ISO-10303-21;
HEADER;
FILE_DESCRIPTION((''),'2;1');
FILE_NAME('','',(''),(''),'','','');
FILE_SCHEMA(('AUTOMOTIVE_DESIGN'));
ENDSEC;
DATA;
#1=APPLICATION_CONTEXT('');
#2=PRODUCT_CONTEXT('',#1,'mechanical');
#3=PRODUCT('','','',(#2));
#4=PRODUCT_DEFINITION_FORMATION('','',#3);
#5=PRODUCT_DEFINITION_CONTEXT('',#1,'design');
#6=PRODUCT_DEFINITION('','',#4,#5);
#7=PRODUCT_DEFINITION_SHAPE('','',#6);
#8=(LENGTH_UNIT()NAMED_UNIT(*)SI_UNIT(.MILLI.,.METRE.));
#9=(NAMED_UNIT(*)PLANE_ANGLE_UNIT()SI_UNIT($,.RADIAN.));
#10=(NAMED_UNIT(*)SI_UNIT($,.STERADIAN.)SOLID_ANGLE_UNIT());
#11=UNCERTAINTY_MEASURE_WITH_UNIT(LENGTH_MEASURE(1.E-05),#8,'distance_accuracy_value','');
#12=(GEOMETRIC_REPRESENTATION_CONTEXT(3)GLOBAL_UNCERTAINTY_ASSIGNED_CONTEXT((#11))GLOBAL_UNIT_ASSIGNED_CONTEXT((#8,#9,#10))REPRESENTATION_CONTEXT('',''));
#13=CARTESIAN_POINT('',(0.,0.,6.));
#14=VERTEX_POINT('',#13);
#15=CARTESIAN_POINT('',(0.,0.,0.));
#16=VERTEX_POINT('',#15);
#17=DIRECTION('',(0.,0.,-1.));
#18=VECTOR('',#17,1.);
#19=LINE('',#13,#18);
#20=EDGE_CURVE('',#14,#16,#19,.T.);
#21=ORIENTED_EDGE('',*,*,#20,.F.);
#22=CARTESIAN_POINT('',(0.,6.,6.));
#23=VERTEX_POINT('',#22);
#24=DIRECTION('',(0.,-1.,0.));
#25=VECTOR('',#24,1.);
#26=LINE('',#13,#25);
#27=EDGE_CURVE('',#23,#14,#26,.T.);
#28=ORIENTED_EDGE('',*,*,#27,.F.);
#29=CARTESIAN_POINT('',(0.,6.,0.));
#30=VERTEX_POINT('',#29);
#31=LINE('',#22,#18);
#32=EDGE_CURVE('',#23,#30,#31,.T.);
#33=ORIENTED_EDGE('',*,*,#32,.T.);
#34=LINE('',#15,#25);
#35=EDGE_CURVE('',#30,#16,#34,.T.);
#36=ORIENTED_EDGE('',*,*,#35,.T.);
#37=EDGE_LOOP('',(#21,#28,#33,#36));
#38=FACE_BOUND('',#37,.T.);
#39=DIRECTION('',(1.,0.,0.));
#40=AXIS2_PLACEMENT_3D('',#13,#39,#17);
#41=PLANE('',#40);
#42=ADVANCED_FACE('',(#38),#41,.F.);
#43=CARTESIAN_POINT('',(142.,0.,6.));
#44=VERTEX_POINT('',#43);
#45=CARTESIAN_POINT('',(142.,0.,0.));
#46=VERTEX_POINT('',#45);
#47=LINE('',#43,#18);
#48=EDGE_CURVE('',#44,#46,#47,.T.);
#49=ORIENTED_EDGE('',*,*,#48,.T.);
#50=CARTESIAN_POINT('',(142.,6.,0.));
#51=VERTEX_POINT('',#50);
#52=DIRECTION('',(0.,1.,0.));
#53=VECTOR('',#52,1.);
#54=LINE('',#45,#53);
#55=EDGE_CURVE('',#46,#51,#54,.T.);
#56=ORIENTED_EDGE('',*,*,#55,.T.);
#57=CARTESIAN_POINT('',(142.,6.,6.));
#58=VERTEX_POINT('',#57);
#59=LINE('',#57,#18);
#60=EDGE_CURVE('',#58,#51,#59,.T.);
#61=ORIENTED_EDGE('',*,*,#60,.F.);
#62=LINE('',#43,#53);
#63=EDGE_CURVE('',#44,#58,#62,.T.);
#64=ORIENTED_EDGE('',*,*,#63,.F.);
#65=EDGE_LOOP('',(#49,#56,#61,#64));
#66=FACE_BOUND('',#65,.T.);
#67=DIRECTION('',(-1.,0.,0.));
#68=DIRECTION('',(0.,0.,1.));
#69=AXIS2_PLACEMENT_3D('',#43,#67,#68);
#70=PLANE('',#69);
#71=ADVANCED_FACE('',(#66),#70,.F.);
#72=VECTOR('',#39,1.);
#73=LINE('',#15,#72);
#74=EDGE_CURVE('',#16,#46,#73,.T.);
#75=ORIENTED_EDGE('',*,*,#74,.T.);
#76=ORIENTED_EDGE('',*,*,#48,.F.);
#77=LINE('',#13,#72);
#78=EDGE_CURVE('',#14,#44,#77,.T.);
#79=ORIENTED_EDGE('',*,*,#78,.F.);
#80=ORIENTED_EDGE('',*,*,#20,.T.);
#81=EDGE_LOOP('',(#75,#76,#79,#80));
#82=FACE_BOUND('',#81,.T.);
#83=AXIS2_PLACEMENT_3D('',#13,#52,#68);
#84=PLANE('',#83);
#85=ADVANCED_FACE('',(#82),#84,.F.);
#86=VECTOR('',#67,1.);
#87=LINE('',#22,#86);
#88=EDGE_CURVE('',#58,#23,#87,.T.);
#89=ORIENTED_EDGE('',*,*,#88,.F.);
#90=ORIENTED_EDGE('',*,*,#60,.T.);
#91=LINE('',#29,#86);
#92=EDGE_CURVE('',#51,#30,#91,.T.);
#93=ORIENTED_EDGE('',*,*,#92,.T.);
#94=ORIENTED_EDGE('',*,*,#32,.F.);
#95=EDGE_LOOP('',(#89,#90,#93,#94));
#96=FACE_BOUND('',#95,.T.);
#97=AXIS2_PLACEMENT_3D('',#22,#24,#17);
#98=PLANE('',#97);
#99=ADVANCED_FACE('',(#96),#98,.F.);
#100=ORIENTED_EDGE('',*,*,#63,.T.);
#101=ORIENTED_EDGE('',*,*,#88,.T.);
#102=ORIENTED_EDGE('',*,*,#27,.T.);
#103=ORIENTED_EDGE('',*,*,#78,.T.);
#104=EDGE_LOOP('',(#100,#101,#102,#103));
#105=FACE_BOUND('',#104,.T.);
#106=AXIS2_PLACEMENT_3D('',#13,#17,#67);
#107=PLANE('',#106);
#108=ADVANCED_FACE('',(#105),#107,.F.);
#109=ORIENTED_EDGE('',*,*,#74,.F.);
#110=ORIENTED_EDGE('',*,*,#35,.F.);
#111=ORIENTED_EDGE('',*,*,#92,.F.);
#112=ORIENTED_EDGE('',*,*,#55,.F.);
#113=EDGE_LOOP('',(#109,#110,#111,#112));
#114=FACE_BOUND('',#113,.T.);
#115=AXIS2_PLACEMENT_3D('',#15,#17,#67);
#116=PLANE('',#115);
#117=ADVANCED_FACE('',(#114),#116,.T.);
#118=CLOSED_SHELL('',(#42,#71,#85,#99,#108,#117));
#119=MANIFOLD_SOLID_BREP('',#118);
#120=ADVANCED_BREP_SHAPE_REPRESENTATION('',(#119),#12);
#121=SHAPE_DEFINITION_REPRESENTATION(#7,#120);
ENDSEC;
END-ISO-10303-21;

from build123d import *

# Parameters (mm, degrees)
SKETCH1_W     = 142
SKETCH1_H     = 6
PROFILE_DEPTH = 6


with BuildPart() as part:
    # Sketch1 → Profile (new body)
    with BuildSketch(Plane.XY):
        with Locations((71, 3)):
            Rectangle(SKETCH1_W, SKETCH1_H)
    extrude(amount=PROFILE_DEPTH)


solid = part.part
